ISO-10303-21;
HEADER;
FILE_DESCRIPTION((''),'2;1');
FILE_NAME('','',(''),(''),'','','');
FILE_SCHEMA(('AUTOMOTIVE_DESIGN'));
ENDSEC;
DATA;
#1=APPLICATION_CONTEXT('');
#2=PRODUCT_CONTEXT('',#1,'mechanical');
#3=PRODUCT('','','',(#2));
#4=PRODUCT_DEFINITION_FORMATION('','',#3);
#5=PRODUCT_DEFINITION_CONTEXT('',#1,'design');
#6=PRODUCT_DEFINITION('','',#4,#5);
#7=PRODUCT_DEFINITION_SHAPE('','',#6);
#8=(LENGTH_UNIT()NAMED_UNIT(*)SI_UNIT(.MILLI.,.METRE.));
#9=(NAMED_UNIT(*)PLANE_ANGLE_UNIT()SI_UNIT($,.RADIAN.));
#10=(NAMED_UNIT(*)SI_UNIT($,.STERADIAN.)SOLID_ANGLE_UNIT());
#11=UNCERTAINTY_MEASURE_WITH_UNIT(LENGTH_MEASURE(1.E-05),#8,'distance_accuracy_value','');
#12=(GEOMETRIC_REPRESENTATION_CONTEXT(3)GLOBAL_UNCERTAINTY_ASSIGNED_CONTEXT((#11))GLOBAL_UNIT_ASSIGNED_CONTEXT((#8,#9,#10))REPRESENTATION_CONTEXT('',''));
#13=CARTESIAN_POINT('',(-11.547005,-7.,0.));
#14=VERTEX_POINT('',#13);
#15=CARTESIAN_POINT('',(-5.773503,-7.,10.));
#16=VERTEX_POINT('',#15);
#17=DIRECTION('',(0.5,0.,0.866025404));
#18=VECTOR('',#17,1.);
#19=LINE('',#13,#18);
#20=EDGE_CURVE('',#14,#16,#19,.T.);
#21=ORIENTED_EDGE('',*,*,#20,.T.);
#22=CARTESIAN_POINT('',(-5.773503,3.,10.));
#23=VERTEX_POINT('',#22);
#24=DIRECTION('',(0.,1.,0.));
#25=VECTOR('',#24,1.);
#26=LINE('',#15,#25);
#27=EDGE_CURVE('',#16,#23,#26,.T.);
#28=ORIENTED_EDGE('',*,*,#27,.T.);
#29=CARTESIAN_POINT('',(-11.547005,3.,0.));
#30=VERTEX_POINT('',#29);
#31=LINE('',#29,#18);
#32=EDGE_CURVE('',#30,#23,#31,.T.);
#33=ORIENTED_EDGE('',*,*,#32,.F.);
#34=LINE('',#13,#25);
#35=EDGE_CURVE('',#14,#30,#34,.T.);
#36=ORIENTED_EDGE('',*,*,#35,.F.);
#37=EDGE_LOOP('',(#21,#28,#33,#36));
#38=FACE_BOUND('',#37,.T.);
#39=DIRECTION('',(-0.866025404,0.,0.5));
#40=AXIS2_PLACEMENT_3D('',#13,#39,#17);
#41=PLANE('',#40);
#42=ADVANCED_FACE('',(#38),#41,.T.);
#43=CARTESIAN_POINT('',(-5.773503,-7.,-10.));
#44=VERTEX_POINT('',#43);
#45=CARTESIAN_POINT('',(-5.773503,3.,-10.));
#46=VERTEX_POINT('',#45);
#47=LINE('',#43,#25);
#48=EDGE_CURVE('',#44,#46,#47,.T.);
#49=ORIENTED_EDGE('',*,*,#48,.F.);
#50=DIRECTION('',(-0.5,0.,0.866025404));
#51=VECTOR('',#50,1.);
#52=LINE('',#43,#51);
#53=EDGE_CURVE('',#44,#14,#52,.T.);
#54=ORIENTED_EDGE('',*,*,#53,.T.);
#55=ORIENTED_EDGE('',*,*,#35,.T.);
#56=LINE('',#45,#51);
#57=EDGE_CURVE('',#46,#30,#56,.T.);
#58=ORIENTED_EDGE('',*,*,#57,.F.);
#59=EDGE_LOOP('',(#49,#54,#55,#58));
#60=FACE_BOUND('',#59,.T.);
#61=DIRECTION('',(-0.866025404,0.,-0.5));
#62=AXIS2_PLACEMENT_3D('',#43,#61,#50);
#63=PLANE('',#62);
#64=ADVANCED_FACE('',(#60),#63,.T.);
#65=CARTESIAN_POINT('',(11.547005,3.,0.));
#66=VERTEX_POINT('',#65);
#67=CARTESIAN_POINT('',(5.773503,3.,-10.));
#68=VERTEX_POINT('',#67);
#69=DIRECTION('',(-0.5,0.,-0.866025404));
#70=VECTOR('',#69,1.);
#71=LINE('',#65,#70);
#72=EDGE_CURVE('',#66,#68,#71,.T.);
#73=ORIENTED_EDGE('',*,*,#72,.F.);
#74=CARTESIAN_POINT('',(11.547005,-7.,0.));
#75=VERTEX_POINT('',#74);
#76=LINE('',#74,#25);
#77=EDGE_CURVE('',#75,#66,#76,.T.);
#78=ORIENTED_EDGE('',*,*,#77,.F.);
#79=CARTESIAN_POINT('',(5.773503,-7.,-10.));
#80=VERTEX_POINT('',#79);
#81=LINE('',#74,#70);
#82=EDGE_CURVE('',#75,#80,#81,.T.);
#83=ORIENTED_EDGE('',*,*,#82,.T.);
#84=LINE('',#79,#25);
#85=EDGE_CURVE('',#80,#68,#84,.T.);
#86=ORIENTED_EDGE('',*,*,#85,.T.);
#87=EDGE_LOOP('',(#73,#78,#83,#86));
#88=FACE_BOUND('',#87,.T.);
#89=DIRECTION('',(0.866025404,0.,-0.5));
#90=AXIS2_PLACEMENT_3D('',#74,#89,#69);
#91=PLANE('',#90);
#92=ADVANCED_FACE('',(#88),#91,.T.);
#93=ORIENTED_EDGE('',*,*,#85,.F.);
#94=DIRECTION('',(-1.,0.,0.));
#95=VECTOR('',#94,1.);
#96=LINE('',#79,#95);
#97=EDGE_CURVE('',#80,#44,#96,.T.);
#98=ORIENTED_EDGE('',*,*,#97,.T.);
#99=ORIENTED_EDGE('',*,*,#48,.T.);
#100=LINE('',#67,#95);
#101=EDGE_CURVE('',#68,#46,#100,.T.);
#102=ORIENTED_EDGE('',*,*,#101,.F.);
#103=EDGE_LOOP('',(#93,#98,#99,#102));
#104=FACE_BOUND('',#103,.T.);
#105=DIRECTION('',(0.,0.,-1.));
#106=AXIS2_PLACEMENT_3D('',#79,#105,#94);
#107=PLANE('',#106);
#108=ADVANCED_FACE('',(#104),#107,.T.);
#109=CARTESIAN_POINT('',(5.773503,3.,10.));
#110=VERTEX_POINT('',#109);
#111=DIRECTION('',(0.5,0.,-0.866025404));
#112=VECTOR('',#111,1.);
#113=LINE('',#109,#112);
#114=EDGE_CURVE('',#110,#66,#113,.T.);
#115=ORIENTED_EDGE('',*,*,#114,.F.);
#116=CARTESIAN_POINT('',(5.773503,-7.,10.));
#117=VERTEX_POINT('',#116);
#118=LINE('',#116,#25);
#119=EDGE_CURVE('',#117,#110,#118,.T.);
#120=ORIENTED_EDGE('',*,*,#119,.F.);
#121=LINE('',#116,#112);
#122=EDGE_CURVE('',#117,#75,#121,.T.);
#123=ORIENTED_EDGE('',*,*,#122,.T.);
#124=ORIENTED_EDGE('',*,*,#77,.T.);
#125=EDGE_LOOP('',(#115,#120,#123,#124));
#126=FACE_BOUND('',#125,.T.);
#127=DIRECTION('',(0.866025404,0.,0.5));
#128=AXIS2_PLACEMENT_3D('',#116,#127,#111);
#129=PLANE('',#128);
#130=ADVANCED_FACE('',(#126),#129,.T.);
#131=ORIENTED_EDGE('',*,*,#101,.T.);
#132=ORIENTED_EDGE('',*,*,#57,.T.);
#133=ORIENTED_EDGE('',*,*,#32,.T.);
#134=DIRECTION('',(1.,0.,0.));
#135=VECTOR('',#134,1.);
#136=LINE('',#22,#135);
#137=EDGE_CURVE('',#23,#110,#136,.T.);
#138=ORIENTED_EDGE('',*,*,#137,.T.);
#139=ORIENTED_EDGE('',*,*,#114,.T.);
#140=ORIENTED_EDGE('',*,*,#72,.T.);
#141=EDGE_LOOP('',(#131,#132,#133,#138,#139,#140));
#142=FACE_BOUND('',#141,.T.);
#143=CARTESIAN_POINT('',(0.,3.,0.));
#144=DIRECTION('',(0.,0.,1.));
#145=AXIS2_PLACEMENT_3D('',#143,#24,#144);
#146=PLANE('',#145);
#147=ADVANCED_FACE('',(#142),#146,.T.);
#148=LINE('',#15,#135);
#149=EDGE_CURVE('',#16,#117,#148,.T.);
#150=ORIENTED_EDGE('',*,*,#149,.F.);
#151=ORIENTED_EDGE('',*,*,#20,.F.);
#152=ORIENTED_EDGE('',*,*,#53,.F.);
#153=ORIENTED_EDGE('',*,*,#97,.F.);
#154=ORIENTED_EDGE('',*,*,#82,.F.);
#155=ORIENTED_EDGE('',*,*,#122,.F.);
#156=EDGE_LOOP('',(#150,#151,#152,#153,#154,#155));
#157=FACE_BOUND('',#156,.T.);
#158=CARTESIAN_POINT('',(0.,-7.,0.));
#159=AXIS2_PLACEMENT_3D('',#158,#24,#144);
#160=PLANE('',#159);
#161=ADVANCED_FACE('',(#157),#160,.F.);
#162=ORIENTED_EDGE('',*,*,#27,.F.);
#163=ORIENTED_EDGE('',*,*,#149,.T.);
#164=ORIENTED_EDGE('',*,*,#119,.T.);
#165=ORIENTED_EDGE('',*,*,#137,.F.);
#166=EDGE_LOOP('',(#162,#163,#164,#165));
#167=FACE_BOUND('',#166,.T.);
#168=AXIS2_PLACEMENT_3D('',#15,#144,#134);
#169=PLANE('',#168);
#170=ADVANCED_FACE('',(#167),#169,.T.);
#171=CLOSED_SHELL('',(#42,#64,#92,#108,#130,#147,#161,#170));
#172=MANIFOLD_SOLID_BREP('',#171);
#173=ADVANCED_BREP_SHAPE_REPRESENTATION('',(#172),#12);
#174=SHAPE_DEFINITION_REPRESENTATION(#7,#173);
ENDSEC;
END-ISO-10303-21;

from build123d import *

# Parameters (mm, degrees)
BOSS_EXTRUDE1_DEPTH      = 3
BOSS_EXTRUDE1_DEPTH_BACK = 7


with BuildPart() as part:
    # Sketch1 → Boss-Extrude1 (new, two sides: drawn at the far end of the back side and taken through both)
    with BuildSketch(Plane(origin=(0, 0, 0), x_dir=(1, 0, 0), z_dir=(0, 1, 0)).offset(-BOSS_EXTRUDE1_DEPTH_BACK)):
        Polygon((-5.773502692, -10), (5.773502692, -10), (11.547005384, 0), (5.773502692, 10), (-5.773502692, 10), (-11.547005384, 0), align=None)
    extrude(amount=BOSS_EXTRUDE1_DEPTH + BOSS_EXTRUDE1_DEPTH_BACK)


solid = part.part
